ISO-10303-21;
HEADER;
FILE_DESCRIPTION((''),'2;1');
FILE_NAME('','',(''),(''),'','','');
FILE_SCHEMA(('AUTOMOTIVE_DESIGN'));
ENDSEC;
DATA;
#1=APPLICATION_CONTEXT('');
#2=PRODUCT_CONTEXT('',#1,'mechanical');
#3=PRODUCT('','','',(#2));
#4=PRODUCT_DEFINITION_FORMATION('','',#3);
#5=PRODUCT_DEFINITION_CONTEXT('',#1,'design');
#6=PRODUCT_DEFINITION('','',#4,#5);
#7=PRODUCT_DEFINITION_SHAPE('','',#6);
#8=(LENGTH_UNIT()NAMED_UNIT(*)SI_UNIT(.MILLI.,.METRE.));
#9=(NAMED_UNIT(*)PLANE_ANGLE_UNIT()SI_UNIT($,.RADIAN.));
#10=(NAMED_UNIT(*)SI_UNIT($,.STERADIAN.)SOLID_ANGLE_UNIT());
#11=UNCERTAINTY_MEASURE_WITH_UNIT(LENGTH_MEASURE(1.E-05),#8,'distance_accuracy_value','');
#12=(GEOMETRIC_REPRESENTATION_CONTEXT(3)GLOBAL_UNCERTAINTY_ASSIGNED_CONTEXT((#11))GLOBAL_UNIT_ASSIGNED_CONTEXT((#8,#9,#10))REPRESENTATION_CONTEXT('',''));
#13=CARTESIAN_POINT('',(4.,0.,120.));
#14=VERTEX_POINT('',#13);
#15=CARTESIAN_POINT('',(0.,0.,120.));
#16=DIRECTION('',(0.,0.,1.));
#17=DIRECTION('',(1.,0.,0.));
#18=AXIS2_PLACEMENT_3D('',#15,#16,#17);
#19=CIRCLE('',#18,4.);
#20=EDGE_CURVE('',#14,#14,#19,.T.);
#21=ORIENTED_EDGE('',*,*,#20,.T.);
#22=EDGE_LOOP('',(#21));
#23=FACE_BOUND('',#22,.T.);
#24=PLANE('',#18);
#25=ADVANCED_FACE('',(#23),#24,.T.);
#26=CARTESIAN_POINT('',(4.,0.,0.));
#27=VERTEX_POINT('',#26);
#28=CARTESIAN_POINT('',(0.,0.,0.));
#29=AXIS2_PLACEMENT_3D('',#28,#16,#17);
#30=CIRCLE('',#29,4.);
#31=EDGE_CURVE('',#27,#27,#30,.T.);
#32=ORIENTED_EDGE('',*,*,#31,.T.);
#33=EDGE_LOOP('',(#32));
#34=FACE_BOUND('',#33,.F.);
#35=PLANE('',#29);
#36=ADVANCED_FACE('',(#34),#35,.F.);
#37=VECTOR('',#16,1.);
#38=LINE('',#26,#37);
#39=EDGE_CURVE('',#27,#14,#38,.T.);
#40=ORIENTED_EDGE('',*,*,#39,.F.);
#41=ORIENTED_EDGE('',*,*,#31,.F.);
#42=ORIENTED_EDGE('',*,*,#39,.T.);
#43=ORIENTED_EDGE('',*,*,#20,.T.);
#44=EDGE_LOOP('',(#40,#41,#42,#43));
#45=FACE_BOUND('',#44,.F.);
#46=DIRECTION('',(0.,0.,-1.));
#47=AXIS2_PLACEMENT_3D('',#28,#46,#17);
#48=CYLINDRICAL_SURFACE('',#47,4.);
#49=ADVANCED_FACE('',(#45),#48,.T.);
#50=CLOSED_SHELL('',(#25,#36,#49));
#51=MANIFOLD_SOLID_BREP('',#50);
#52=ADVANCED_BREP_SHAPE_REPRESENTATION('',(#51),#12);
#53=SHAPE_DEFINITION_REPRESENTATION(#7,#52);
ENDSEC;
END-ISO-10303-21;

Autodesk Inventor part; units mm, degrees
ref_plane "YZ Plane" through (0, 0, 0) normal (1, 0, 0) x (0, 1, 0)
ref_plane "XZ Plane" through (0, 0, 0) normal (0, 1, 0) x (-1, 0, 0)
ref_plane "XY Plane" through (0, 0, 0) normal (0, 0, 1) x (1, 0, 0)
sketch "Sketch1" plane through (0, 0, 0) normal (0, 0, 1) x (1, 0, 0)
  circle A0 centre (0, 0) radius 4
  dimension "d0" = 8
extrude "Extrusion1" add sketch "Sketch1" along normal blind 120
thread "Thread1" size "TR8x1.5" class "7e" standard "ISO Metric Trapezoidal Threads" full length
properties part number "0005-10-10-1007 LeadScrew 8mm x 2mmPitch"
